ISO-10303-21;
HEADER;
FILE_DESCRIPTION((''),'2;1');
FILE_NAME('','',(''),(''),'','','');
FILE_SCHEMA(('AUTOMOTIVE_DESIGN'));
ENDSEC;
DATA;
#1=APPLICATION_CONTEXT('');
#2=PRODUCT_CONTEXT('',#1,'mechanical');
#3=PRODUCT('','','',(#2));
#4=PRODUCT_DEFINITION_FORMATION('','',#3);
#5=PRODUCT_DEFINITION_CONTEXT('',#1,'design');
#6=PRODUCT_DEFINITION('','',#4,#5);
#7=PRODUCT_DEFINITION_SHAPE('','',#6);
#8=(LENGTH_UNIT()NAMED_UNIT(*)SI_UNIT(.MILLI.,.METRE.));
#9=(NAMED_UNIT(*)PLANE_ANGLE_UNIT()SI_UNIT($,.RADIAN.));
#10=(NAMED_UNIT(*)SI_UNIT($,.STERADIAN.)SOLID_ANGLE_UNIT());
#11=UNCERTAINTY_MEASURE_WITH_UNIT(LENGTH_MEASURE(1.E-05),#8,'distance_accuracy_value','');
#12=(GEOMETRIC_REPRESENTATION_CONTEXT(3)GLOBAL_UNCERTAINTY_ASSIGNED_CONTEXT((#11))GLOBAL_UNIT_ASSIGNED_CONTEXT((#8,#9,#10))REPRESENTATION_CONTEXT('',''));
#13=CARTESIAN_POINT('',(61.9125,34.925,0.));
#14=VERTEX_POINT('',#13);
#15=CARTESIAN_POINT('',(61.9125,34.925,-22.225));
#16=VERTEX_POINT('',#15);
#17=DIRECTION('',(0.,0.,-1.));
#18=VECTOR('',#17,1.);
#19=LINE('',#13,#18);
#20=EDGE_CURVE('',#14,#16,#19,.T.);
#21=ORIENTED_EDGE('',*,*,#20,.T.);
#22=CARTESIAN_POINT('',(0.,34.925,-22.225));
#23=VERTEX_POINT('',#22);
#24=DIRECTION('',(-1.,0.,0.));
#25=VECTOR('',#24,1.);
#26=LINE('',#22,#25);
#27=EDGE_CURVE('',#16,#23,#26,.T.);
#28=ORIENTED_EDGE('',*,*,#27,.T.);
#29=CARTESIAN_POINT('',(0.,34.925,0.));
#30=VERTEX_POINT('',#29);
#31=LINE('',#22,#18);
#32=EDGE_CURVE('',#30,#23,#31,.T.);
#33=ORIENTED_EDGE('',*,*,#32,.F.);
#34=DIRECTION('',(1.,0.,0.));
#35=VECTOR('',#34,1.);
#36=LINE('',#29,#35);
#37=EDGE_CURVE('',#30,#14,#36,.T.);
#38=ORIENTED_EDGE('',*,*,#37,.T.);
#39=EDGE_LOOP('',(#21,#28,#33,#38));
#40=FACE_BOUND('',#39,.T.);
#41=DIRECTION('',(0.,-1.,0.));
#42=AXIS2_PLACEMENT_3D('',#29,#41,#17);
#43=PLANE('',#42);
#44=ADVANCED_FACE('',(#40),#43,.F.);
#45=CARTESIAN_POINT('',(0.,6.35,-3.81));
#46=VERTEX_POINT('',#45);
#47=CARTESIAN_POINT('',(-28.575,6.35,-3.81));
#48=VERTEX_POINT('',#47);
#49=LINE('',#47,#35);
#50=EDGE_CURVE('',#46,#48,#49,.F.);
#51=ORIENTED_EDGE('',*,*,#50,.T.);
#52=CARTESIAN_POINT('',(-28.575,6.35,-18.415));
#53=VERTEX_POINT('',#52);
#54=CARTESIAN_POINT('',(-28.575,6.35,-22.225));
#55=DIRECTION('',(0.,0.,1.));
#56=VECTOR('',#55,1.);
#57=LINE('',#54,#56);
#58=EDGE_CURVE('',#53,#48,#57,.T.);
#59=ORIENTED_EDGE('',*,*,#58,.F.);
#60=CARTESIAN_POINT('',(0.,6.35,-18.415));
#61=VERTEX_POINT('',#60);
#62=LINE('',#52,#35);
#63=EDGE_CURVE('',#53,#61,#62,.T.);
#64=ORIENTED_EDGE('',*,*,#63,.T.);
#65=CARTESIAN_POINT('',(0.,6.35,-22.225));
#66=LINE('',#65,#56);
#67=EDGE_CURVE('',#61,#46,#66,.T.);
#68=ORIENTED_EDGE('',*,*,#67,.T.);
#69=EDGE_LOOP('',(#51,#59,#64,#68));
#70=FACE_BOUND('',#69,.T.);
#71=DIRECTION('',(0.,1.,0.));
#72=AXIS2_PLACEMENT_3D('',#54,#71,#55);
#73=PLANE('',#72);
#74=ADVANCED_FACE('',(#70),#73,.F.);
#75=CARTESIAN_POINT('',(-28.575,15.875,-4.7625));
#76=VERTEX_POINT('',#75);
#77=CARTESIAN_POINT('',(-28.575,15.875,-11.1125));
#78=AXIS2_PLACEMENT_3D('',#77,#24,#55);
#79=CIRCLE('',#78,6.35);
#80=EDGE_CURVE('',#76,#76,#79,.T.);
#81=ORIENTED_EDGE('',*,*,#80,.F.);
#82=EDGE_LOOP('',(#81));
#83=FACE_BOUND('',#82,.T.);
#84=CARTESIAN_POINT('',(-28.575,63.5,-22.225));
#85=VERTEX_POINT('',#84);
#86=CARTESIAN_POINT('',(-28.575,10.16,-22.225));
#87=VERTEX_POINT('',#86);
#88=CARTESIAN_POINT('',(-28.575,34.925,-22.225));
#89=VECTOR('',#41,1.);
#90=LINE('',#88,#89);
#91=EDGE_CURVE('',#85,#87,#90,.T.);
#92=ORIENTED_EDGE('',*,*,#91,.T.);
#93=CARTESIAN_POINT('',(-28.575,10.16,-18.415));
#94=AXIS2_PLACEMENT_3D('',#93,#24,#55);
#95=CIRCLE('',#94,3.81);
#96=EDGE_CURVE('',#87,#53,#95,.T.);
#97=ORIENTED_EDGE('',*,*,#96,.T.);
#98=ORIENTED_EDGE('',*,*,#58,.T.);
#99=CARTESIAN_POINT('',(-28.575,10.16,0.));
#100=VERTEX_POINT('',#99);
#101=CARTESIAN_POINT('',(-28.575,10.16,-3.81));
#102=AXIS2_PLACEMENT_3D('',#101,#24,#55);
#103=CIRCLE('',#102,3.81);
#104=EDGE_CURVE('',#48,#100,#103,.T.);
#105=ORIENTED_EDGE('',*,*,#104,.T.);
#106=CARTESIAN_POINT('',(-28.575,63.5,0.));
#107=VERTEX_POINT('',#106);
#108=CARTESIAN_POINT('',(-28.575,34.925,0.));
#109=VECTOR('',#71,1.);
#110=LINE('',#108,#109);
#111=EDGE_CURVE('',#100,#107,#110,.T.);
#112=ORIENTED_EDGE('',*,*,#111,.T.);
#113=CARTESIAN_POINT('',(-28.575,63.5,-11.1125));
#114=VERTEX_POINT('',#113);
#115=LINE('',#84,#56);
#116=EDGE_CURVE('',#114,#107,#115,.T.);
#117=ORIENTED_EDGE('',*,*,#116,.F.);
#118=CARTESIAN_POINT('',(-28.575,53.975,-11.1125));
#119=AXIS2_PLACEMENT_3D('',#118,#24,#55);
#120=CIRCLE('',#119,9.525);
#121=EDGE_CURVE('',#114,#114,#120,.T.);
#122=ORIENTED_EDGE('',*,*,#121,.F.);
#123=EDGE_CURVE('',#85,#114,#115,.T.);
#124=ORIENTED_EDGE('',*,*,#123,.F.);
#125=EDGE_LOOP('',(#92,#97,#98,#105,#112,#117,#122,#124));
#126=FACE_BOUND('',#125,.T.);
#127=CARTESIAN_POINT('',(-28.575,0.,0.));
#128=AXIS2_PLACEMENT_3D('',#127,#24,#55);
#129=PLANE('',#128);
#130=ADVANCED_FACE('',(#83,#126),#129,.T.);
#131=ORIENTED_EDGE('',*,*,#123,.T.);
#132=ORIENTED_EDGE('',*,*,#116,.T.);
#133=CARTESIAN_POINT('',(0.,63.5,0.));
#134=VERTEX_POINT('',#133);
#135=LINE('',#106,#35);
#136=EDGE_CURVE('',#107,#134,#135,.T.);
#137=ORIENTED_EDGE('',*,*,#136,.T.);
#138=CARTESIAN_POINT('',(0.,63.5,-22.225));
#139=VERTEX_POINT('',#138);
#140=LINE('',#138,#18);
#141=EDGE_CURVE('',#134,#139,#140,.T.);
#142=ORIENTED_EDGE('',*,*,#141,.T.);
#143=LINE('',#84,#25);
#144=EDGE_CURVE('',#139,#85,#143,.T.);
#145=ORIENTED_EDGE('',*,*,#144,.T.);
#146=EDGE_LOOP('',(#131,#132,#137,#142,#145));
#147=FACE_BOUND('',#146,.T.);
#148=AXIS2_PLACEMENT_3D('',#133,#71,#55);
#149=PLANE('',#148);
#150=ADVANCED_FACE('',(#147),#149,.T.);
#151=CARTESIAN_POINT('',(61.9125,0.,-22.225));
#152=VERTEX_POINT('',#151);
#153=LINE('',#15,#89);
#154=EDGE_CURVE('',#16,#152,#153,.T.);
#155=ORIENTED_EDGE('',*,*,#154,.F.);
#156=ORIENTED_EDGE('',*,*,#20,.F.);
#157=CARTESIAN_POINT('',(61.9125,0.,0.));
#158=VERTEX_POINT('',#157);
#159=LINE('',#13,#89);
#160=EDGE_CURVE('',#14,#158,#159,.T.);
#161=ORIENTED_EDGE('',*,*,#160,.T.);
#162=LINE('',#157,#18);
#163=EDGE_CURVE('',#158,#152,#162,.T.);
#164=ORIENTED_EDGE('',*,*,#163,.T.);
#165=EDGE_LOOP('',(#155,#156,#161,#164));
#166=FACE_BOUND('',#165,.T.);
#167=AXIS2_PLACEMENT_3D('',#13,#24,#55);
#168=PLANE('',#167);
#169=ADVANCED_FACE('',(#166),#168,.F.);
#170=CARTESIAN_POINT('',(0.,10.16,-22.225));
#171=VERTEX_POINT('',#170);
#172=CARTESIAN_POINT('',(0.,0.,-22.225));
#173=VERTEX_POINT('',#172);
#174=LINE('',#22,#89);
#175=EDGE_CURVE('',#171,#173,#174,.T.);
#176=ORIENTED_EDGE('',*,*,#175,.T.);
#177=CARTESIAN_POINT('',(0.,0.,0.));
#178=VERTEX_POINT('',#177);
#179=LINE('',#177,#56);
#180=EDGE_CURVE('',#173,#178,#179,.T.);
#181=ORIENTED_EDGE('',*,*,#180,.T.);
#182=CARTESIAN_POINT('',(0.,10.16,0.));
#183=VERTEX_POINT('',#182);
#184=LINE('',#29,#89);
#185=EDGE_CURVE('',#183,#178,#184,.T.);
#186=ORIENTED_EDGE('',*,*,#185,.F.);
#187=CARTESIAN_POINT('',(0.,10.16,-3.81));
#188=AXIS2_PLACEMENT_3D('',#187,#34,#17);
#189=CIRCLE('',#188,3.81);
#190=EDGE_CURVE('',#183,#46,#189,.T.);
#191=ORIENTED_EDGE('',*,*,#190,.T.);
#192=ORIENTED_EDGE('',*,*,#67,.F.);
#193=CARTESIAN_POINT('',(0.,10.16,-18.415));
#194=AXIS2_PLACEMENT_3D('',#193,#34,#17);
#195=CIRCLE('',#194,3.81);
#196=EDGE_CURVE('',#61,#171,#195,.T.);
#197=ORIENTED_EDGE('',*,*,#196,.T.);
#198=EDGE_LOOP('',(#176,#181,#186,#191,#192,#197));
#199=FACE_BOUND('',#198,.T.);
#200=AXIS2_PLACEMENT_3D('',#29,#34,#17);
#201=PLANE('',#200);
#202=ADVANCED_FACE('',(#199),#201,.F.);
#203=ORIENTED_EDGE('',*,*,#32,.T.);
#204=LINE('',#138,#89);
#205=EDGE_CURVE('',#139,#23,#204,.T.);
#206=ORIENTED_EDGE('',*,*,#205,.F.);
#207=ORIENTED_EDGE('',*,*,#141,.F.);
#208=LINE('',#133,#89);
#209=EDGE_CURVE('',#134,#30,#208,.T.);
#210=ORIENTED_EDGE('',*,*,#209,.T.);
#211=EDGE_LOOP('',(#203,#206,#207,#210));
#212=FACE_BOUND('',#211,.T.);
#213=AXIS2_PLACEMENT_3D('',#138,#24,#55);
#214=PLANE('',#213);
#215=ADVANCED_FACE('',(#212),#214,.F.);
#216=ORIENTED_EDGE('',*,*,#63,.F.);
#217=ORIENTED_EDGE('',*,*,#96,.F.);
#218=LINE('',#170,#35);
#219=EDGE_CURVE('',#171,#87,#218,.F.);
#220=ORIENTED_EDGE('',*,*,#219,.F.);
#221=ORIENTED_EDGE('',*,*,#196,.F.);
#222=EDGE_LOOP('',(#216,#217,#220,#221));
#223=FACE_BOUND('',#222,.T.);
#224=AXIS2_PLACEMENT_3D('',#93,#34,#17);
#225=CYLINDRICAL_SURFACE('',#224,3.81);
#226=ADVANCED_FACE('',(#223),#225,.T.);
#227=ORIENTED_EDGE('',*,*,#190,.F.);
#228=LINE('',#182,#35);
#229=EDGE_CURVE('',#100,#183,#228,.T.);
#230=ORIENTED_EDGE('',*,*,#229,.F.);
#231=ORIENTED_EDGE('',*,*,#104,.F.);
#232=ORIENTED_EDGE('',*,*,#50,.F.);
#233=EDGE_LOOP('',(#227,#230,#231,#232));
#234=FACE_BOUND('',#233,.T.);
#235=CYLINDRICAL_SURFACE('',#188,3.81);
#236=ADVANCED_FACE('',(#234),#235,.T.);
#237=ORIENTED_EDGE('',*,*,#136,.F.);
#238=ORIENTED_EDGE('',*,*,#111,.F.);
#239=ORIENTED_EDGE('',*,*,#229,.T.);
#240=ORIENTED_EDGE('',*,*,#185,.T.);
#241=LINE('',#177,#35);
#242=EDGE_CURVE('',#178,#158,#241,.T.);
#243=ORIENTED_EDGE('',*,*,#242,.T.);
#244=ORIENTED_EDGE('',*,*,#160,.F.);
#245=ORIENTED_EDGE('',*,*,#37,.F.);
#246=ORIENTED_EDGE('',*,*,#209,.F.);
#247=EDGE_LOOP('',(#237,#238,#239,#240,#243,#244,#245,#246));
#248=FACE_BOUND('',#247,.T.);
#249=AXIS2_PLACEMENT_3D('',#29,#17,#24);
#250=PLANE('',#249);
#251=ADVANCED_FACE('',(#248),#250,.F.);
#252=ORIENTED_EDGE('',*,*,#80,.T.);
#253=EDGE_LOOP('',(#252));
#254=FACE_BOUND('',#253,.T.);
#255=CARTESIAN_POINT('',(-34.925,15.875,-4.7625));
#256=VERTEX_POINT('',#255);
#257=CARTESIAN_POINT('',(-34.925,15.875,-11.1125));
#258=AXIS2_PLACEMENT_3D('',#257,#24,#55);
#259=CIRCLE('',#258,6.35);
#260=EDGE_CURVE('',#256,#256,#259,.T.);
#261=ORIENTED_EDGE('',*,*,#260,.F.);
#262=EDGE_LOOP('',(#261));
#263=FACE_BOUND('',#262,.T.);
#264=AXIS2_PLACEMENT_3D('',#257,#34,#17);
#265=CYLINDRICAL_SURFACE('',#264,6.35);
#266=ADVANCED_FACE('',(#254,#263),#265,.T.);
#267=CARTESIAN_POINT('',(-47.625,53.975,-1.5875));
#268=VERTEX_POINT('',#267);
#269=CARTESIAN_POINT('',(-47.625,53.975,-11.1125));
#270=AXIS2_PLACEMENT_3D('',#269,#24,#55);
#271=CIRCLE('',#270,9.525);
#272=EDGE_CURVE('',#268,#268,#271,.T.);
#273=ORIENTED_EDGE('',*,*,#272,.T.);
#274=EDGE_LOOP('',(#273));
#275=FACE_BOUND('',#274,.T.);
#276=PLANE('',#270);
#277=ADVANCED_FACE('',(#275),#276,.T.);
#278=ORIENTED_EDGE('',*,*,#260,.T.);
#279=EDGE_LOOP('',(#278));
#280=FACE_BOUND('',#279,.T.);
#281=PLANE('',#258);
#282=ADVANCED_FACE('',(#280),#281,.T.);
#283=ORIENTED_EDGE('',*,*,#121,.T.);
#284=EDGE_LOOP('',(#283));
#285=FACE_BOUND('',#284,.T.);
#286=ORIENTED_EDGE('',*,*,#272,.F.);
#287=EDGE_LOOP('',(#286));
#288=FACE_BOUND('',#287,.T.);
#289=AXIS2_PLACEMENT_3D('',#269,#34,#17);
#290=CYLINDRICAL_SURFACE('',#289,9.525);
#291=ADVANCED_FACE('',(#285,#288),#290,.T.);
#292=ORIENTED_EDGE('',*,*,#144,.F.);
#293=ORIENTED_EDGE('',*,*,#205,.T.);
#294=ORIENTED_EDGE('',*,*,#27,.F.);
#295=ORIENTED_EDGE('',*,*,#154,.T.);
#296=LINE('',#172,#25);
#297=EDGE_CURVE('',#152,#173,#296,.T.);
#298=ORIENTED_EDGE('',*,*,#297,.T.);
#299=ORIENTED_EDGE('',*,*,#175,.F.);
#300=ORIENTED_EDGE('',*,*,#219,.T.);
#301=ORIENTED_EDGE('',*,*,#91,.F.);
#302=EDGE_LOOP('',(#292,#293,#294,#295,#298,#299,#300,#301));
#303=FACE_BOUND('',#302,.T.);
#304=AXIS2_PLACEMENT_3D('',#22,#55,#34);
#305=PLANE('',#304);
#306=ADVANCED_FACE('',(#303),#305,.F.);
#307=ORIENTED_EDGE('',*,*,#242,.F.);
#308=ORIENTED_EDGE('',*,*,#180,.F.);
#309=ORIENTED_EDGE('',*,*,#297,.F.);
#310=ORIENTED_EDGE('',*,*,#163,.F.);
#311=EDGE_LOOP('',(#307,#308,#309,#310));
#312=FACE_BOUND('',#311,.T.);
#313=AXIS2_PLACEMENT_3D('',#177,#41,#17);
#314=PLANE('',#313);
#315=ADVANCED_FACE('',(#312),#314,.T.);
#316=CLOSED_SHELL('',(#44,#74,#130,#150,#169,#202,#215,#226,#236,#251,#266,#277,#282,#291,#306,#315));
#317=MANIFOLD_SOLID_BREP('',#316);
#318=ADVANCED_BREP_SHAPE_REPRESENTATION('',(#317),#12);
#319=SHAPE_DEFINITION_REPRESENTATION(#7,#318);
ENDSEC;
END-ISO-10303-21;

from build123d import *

# Parameters (mm, degrees)
SKETCH1_W           = 61.9125
SKETCH1_H           = 22.225
BOSS_EXTRUDE1_DEPTH = 34.925
SKETCH2_W           = 22.225
SKETCH2_H           = 28.575
BOSS_EXTRUDE2_DEPTH = 28.575
SKETCH3_W           = 28.575
SKETCH3_H           = 22.225
BOSS_EXTRUDE3_DEPTH = 28.575
SKETCH5_R           = 6.35
BOSS_EXTRUDE5_DEPTH = 6.35
FILLET1_R           = 3.81
SKETCH6_R           = 9.525
BOSS_EXTRUDE6_DEPTH = 19.05


with BuildPart() as part:
    # Sketch1 → Boss-Extrude1 (new body)
    with BuildSketch(Plane(origin=(0, 0, 0), x_dir=(1, 0, 0), z_dir=(0, 1, 0))):
        with Locations((30.95625, 11.1125)):
            Rectangle(SKETCH1_W, SKETCH1_H)
    extrude(amount=BOSS_EXTRUDE1_DEPTH)

    # Sketch2 → Boss-Extrude2 (add)
    with BuildSketch(Plane.ZY):
        with Locations((-11.1125, 20.6375)):
            Rectangle(SKETCH2_W, SKETCH2_H)
    extrude(amount=BOSS_EXTRUDE2_DEPTH)

    # Sketch3 → Boss-Extrude3 (add)
    with BuildSketch(Plane(origin=(0, 34.925, 0), x_dir=(1, 0, 0), z_dir=(0, 1, 0))):
        with Locations((-14.2875, 11.1125)):
            Rectangle(SKETCH3_W, SKETCH3_H)
    extrude(amount=BOSS_EXTRUDE3_DEPTH)

    # Sketch5 → Boss-Extrude5 (add)
    with BuildSketch(Plane.ZY.offset(28.575)):
        with Locations((-11.1125, 15.875)):
            Circle(SKETCH5_R)
    extrude(amount=BOSS_EXTRUDE5_DEPTH)

    # Fillet1
    fillet1_edges = [part.edges().sort_by_distance(p)[0] for p in [
        (-14.2875, 6.35, -22.225),
        (-14.2875, 6.35, 0),
    ]]
    fillet(fillet1_edges, radius=FILLET1_R)

    # Sketch6 → Boss-Extrude6 (add)
    with BuildSketch(Plane.ZY.offset(28.575)):
        with Locations(Location((-11.1125, 53.975, 0), (0, 0, 90))):
            Circle(SKETCH6_R)
    extrude(amount=BOSS_EXTRUDE6_DEPTH)


solid = part.part
